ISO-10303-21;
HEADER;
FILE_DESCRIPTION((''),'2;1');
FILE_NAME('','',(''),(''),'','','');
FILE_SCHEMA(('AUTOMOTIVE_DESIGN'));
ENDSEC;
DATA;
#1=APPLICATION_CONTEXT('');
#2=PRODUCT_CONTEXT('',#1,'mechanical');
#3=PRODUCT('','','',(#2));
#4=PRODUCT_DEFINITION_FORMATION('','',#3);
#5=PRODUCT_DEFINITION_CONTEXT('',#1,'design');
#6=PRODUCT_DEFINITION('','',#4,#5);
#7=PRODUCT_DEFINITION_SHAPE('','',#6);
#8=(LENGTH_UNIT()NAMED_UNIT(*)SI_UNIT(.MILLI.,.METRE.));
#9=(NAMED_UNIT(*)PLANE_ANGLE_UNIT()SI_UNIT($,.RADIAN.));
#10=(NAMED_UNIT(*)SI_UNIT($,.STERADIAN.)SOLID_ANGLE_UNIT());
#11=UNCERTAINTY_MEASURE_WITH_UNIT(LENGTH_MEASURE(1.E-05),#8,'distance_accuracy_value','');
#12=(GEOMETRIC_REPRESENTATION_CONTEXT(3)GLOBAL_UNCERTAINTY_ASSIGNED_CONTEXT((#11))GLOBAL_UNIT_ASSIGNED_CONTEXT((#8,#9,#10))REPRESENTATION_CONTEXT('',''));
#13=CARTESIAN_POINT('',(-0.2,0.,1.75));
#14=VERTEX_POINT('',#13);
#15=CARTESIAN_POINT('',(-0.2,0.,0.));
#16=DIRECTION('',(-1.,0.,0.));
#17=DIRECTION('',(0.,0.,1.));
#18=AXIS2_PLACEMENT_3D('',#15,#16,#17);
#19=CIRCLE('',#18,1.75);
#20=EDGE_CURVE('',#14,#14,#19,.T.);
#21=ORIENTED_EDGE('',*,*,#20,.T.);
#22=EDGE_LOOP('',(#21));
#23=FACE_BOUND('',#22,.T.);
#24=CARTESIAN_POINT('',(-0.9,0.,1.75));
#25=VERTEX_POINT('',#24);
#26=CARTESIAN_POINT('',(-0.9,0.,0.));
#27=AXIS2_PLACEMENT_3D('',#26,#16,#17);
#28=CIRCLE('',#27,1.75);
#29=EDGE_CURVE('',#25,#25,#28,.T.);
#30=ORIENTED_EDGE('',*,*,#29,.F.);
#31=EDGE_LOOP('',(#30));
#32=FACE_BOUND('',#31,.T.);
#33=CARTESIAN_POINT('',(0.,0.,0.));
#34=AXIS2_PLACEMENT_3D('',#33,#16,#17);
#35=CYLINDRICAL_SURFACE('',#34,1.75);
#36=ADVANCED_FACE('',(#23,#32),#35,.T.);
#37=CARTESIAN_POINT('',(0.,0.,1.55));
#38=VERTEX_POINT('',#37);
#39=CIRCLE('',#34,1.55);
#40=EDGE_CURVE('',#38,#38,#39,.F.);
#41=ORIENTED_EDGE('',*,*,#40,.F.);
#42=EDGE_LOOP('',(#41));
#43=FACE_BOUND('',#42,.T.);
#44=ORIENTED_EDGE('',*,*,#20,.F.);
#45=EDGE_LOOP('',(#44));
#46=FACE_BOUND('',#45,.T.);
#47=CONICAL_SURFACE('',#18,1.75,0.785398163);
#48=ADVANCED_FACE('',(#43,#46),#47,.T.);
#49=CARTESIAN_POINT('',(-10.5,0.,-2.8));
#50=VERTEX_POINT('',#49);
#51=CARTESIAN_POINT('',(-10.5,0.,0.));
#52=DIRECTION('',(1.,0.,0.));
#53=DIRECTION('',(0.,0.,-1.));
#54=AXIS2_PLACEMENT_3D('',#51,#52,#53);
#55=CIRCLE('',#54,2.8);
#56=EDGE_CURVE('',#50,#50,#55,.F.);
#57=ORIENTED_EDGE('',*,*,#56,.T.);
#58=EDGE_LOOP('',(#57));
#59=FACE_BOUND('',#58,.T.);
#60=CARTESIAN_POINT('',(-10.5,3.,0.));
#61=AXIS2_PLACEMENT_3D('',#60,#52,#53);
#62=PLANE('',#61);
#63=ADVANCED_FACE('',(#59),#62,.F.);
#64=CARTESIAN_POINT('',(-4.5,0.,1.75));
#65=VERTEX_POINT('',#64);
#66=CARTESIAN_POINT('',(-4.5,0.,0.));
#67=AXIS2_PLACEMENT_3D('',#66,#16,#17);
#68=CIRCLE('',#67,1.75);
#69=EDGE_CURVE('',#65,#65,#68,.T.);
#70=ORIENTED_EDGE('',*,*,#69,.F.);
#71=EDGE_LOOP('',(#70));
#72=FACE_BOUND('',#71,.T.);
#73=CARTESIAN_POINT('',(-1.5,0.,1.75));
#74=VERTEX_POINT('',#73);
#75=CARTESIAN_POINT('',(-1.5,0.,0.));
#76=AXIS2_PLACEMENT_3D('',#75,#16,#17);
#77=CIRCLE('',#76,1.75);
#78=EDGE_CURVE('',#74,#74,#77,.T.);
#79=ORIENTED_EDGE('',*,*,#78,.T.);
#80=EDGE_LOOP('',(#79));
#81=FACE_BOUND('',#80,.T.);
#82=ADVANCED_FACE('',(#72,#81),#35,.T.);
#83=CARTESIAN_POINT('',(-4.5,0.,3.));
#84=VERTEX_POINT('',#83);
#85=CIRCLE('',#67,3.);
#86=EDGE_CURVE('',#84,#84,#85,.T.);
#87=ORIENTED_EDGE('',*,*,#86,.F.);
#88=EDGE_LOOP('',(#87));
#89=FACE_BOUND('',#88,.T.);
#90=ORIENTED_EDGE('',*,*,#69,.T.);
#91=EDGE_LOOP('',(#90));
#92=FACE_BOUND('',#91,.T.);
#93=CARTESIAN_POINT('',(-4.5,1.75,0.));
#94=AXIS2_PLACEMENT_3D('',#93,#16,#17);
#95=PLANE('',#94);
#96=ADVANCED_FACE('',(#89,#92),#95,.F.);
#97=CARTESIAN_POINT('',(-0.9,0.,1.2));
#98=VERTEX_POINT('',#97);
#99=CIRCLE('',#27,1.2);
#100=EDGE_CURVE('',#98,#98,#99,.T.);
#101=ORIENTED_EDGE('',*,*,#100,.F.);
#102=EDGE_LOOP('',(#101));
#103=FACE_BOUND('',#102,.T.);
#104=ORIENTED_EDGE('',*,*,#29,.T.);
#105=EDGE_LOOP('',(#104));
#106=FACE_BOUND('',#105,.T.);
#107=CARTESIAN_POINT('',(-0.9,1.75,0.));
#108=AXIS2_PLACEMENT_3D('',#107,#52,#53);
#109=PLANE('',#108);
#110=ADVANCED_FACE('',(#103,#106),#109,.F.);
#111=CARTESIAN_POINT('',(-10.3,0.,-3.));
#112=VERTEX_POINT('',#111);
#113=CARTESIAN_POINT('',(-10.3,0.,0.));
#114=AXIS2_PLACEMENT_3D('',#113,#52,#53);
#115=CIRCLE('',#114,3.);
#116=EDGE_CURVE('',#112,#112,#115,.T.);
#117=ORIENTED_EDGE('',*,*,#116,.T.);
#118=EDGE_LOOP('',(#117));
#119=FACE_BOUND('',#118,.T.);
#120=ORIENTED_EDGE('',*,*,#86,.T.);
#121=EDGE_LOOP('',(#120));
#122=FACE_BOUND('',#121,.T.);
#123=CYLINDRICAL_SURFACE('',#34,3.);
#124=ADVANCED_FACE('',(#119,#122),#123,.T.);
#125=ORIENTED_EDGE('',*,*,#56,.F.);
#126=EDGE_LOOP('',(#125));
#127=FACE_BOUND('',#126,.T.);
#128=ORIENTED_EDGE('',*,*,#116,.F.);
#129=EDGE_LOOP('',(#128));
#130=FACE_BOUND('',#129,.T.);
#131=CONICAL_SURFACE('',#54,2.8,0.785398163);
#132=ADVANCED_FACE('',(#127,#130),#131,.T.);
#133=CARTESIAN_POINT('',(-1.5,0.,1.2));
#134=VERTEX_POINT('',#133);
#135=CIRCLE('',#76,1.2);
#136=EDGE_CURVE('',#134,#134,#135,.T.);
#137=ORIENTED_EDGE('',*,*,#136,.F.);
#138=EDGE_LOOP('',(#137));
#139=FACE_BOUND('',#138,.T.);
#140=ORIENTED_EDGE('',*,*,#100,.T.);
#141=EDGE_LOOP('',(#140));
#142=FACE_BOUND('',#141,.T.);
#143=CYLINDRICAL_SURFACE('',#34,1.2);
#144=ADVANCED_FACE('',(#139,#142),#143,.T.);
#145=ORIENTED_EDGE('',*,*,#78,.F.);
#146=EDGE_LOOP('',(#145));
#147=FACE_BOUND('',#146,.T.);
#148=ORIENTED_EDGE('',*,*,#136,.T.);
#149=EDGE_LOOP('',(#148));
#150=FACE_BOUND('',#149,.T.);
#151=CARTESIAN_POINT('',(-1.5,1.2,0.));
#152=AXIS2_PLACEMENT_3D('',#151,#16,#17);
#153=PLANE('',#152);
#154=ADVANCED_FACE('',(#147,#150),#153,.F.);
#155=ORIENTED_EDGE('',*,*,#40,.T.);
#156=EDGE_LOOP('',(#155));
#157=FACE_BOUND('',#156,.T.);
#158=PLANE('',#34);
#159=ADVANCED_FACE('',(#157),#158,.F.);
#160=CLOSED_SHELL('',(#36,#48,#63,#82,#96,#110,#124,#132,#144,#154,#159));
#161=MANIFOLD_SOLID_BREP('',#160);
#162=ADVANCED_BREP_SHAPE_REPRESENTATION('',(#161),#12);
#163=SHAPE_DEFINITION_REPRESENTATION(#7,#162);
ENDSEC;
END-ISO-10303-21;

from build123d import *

# Parameters (mm, degrees)
CHANFREIN1_SIZE = 0.2


with BuildPart() as part:
    # Esquisse1 → Révolution1 (revolve)
    with BuildSketch(Plane.XY, mode=Mode.PRIVATE) as r_volution1_sk:
        Polygon((0, 0), (0, 1.75), (-0.9, 1.75), (-0.9, 1.2), (-1.5, 1.2), (-1.5, 1.75), (-4.5, 1.75), (-4.5, 3), (-10.5, 3), (-10.5, 0), align=None)
    revolve(r_volution1_sk.sketch.rotate(Axis((0, 0, 0), (1, 0, 0)), 90), axis=Axis((0, 0, 0), (1, 0, 0)))  # turned: the seam where the file's is

    # Chanfrein1
    chanfrein1_edges = [part.edges().sort_by_distance(p)[0] for p in [
        (-10.5, 0, -3),
        (0, 0, -1.75),
    ]]
    chamfer(chanfrein1_edges, length=CHANFREIN1_SIZE)


solid = part.part
